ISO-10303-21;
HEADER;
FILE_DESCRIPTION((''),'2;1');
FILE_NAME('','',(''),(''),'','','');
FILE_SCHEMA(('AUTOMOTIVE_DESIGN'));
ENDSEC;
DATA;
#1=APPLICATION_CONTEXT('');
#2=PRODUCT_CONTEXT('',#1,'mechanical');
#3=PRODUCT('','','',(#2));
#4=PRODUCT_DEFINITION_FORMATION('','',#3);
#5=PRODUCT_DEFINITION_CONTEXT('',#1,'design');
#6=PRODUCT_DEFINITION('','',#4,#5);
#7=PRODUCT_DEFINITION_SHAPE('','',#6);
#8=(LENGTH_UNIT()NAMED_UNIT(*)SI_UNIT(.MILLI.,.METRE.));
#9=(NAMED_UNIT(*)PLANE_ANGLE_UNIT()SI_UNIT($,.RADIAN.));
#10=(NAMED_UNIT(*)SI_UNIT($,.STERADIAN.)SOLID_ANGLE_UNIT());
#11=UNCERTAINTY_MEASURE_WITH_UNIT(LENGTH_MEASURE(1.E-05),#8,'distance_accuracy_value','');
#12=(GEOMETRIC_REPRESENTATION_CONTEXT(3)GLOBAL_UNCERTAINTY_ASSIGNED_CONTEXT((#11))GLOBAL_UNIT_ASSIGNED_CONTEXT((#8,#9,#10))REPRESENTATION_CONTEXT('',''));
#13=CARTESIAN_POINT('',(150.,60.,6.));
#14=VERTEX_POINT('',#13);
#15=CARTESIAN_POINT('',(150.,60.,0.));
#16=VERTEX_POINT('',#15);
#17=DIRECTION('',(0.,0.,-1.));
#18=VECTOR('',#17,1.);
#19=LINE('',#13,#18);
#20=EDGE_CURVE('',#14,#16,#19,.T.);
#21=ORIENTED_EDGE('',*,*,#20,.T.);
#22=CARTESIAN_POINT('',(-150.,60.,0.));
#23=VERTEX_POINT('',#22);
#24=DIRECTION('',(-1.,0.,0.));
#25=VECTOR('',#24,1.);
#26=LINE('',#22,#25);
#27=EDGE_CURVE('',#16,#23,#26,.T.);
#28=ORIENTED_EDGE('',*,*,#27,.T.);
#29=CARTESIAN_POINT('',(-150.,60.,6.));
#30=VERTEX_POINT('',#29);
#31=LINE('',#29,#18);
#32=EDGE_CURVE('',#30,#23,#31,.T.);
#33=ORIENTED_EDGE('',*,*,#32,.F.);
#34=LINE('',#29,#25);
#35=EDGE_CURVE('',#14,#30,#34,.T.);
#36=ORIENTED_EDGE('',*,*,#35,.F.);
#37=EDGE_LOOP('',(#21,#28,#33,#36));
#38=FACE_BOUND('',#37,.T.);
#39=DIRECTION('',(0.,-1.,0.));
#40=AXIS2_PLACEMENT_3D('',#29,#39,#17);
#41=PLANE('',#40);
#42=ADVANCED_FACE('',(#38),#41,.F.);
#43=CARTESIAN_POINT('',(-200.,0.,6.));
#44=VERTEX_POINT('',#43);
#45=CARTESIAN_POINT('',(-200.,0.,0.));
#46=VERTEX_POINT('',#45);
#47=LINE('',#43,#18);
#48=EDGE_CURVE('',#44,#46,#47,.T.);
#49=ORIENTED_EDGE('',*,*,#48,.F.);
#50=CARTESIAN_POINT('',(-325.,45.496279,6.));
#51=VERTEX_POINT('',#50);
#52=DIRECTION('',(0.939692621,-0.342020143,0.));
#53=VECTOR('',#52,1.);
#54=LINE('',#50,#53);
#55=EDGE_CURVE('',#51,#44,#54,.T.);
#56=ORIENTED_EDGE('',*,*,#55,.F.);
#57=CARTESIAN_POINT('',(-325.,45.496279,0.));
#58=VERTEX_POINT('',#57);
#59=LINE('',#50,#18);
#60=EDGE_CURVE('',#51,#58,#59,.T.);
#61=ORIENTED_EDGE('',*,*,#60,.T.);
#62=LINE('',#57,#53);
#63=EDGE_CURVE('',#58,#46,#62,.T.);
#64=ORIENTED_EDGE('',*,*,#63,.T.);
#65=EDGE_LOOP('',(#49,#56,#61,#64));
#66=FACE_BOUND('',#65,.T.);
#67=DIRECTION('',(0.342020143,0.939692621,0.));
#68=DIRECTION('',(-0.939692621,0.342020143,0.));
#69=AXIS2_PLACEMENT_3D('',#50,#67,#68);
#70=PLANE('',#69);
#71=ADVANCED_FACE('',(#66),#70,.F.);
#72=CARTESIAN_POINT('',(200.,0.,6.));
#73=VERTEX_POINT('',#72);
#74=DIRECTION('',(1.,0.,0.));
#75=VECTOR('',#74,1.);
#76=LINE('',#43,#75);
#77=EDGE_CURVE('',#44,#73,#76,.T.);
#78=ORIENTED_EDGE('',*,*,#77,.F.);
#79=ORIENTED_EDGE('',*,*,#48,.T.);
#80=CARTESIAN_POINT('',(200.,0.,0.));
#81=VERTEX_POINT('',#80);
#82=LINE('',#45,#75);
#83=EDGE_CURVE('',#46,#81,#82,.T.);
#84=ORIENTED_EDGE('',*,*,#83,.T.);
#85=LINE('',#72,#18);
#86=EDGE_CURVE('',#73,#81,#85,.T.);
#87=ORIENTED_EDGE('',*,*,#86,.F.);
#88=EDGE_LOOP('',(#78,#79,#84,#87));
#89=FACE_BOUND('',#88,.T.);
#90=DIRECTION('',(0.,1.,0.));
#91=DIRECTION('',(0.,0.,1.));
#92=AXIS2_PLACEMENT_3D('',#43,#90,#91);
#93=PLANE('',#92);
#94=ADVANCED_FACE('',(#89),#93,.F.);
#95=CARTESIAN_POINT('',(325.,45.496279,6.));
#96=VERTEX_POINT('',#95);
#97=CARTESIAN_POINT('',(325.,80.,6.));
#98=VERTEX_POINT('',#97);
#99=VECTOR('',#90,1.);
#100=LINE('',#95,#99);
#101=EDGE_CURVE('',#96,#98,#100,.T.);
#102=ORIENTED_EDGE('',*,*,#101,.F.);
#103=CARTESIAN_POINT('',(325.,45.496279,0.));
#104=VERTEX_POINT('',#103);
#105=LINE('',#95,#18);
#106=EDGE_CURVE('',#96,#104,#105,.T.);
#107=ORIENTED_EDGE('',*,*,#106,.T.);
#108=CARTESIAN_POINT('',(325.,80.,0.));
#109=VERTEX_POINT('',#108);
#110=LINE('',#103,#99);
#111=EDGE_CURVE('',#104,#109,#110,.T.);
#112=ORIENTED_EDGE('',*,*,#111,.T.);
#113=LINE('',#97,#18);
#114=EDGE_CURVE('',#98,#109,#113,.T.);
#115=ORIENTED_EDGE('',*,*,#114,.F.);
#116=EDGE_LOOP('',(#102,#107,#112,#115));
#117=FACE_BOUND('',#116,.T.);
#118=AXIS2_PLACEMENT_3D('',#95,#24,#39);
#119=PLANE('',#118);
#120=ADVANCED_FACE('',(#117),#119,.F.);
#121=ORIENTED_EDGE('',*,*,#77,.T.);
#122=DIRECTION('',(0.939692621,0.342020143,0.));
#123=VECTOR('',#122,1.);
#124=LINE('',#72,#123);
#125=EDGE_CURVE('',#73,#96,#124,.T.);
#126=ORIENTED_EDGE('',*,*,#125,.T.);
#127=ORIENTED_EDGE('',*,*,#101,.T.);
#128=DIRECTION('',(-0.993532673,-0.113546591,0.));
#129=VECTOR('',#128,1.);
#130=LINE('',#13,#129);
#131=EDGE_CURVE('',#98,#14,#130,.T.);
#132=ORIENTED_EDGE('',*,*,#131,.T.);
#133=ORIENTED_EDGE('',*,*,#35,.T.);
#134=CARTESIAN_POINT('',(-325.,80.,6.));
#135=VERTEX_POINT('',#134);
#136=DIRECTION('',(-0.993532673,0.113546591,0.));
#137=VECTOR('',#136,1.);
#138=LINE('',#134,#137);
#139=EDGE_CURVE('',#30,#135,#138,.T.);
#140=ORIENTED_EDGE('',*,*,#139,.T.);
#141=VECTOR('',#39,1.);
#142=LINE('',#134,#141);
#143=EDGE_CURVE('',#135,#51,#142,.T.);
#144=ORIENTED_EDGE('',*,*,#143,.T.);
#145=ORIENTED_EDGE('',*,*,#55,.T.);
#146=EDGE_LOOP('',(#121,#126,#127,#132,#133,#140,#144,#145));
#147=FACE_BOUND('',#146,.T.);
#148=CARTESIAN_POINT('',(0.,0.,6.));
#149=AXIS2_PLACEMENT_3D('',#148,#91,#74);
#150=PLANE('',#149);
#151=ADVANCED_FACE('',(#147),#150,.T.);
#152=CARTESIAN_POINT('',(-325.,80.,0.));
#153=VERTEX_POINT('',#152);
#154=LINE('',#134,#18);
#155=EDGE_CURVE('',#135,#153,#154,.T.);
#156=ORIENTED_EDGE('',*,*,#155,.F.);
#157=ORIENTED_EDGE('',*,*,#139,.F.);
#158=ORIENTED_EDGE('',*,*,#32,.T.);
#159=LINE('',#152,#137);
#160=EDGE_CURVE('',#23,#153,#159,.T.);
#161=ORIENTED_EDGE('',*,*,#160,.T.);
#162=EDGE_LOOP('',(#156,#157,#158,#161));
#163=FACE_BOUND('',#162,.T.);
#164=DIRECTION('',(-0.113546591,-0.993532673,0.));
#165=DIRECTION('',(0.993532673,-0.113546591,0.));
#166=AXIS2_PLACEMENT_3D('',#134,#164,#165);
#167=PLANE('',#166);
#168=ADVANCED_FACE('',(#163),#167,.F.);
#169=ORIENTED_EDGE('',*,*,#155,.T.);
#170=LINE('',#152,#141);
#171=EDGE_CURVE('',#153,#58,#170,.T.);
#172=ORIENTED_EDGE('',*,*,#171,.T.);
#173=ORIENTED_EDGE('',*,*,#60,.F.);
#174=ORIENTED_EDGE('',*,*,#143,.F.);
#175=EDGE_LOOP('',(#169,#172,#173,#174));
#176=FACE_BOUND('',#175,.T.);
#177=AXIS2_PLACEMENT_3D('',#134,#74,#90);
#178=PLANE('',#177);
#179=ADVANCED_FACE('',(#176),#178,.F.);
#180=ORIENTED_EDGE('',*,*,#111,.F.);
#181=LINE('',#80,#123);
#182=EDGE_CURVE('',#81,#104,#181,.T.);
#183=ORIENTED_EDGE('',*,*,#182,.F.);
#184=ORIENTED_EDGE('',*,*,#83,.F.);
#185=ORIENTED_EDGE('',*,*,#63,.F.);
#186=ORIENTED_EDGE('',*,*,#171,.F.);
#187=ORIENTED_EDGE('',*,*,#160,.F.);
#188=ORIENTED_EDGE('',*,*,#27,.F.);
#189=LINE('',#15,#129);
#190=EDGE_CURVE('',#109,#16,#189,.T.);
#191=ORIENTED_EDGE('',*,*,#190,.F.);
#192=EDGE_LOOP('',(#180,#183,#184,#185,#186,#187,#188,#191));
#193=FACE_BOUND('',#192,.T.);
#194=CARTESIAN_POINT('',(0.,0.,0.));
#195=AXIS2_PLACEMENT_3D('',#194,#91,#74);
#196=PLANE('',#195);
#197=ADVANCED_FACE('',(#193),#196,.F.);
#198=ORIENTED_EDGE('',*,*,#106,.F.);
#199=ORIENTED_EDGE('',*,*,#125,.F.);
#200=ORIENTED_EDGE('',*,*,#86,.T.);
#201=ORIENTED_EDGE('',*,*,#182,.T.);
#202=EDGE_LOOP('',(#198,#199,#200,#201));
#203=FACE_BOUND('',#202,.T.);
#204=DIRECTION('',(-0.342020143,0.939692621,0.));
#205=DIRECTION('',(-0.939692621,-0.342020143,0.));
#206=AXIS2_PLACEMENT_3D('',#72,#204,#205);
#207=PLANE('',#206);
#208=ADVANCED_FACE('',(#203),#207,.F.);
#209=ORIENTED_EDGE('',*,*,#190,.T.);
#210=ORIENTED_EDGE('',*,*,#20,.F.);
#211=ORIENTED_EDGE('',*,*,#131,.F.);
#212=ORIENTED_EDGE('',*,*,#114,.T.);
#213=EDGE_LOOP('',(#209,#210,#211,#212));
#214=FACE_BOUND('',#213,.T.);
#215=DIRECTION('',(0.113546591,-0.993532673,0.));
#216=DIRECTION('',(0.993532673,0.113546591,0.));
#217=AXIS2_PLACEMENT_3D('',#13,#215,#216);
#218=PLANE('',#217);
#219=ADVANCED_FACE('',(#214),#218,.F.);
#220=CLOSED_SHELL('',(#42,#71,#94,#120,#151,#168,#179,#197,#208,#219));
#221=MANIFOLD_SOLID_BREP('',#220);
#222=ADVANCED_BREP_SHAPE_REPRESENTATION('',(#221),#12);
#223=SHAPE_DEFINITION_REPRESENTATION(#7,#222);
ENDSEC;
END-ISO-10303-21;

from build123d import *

# Parameters (mm, degrees)
EXTRUDE_1_DEPTH = 6


with BuildPart() as part:
    # Эскиз1 → Бобышка-Вытянуть1 (new body)
    with BuildSketch(Plane.XY):
        Polygon((-325, 80), (-325, 45.496279283), (-200, 0), (200, 0), (325, 45.496279283), (325, 80), (150, 60), (-150, 60), align=None)
    extrude(amount=EXTRUDE_1_DEPTH)


solid = part.part
